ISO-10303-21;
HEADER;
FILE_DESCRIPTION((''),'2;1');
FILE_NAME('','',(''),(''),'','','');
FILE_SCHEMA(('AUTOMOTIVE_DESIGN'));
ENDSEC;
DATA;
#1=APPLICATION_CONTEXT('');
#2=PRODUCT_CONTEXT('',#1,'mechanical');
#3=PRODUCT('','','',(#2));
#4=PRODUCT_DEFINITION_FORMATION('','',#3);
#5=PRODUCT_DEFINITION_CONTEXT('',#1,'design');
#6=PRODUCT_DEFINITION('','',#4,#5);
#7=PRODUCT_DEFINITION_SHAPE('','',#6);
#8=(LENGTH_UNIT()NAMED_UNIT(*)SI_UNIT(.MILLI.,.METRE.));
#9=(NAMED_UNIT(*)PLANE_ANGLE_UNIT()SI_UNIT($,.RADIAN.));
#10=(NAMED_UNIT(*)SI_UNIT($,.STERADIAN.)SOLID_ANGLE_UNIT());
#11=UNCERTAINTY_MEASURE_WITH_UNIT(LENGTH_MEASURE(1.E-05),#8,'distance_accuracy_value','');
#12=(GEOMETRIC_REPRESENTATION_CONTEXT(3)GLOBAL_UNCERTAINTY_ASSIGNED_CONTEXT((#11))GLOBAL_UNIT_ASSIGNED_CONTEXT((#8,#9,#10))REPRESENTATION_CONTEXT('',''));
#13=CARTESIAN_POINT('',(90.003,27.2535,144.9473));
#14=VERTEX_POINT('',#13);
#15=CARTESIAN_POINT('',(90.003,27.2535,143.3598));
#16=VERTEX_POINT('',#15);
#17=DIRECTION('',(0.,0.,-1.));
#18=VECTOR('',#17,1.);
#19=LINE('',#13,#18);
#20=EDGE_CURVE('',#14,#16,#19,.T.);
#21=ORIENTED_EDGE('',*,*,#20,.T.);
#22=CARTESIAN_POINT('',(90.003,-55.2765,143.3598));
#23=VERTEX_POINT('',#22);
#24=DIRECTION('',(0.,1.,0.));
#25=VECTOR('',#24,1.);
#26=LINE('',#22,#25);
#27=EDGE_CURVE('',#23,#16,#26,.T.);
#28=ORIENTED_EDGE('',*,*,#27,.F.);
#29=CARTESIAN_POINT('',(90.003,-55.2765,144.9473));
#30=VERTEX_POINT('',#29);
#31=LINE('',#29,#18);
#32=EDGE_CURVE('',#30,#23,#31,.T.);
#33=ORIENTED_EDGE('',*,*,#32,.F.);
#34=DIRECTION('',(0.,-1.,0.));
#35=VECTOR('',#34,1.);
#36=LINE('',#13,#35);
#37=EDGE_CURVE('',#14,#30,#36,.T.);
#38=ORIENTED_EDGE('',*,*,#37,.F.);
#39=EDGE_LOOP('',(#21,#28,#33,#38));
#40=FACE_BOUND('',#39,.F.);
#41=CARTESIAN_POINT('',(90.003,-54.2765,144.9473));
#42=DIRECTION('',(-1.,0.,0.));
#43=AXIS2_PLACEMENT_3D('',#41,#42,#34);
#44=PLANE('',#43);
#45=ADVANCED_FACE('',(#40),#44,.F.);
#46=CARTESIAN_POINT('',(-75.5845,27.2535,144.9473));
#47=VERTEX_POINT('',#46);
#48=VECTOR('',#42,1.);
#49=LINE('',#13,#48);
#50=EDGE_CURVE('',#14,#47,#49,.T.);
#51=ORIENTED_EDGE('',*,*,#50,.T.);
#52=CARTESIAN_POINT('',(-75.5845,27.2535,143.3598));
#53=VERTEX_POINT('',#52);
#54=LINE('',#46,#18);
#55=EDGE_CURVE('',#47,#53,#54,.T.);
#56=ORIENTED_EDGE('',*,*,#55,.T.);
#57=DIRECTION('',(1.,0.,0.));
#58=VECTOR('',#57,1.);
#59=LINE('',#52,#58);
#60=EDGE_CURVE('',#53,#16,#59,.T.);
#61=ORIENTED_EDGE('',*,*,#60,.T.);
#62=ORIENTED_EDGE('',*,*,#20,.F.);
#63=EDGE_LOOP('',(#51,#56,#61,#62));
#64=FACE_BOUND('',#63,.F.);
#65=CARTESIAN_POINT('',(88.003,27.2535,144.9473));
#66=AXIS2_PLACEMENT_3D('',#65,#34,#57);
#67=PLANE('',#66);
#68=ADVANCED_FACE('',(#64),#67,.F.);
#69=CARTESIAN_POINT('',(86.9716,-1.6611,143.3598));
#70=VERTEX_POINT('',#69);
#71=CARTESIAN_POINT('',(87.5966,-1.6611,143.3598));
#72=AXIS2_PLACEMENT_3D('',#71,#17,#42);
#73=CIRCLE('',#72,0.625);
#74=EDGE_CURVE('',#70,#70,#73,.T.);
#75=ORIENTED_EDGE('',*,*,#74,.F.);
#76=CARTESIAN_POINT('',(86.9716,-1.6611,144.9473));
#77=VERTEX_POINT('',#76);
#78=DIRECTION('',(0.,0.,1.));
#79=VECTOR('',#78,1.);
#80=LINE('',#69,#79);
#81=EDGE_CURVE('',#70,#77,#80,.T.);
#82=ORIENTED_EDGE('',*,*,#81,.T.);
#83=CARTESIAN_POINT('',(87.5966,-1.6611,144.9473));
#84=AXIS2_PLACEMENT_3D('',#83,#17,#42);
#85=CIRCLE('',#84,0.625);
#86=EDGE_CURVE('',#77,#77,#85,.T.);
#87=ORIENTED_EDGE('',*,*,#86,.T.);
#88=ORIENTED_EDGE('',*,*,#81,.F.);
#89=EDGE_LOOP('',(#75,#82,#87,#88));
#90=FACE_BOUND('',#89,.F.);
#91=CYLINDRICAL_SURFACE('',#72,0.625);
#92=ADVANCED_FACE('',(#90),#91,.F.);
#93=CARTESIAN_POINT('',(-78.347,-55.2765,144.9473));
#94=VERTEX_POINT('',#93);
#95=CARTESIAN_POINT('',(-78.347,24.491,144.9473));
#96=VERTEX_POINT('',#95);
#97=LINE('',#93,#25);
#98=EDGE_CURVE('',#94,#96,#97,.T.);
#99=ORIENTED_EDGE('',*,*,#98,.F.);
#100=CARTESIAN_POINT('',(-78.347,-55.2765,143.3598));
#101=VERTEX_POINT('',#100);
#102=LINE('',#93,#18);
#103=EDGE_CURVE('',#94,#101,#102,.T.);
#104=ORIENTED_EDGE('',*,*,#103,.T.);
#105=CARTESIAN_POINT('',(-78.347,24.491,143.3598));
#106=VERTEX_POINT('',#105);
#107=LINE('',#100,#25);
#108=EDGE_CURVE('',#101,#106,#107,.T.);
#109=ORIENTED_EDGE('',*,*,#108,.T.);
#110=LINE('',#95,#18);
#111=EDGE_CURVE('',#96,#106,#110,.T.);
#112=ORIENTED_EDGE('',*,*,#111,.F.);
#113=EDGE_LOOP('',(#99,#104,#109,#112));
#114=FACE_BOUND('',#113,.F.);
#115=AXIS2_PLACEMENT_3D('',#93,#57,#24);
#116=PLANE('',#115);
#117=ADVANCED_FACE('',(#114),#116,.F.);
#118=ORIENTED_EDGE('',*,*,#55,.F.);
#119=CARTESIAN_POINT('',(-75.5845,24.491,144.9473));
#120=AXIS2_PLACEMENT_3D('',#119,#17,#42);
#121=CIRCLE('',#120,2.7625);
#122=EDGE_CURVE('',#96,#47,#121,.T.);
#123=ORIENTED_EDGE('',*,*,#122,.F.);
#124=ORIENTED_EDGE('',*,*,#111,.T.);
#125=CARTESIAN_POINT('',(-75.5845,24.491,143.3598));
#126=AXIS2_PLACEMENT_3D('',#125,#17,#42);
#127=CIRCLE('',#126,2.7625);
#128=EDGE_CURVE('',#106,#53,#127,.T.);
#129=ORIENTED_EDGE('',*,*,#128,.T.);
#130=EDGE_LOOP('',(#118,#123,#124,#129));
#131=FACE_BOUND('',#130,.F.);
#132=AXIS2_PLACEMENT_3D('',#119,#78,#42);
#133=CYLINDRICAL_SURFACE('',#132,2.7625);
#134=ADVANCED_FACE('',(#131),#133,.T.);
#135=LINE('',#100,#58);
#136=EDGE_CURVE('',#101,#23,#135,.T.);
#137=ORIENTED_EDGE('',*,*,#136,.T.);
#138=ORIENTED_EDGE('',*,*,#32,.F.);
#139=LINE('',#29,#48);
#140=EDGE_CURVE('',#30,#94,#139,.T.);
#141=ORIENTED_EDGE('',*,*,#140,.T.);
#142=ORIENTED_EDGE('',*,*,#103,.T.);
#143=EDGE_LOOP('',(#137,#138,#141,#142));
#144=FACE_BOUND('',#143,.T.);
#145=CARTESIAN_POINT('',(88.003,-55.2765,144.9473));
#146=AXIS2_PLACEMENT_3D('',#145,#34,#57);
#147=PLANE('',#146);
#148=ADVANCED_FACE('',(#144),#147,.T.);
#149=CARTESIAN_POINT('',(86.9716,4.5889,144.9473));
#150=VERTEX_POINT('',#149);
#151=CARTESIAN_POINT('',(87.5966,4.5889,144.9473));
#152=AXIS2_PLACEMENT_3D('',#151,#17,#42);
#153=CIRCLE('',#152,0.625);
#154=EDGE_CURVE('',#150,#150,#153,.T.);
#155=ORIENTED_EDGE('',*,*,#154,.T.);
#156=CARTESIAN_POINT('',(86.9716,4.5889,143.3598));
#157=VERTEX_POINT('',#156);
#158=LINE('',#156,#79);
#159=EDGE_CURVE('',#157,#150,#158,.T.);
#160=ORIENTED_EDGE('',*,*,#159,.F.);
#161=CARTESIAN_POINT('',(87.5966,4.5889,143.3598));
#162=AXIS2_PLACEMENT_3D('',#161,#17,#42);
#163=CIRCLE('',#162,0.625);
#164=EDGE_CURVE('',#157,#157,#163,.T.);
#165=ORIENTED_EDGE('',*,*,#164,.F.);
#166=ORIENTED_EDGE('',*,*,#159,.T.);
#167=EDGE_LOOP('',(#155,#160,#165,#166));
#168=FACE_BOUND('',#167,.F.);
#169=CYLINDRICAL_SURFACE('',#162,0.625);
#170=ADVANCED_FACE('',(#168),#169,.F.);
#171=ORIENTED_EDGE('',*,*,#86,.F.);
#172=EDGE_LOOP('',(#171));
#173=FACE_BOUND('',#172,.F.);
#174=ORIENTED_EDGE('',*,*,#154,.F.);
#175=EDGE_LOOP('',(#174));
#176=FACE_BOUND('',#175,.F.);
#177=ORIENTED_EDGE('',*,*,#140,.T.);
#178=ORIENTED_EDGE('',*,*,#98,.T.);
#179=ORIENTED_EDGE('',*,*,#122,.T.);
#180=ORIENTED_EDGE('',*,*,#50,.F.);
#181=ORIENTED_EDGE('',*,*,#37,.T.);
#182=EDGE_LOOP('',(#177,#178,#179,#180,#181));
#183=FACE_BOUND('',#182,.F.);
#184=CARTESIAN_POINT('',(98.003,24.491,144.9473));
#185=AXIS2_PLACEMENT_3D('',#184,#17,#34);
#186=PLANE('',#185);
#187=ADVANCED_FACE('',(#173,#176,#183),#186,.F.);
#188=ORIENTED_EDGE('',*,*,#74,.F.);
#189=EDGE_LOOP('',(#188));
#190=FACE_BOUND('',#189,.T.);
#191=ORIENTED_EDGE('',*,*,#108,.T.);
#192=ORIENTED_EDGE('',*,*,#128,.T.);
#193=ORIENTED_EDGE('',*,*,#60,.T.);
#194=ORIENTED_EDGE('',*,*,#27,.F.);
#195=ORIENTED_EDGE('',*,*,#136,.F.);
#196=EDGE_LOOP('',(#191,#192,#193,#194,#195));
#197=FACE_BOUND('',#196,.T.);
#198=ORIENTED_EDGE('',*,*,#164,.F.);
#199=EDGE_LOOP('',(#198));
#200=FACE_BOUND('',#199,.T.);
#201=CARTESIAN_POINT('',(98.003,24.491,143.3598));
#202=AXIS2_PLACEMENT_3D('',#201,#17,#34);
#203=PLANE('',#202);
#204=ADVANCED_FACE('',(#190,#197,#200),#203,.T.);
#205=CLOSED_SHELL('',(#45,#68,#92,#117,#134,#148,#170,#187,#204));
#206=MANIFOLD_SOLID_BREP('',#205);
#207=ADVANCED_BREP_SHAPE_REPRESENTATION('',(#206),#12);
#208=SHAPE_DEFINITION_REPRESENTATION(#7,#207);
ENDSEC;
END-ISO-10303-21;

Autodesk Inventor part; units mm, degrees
ref_plane "YZ Plane" through (0, 0, 0) normal (1, 0, 0) x (0, 1, 0)
ref_plane "XZ Plane" through (0, 0, 0) normal (0, 1, 0) x (-1, 0, 0)
ref_plane "XY Plane" through (0, 0, 0) normal (0, 0, 1) x (1, 0, 0)
ref_plane "Work Plane1" through (98.003, 24.491, 144.9473) normal (0, -0.0001, -1) x (0, -1, 0.0001)
sketch "Sketch1" plane through (98.003, 24.491, 144.9473) normal (0, -0.0001, -1) x (0, -1, 0.0001)
  line L0 (3.4596, -1.4381) -> (98.1832, -4.2342) projected
  arc A0 (-4.7625, 4.7625) -> (3.4596, -1.4381) centre (0, 4.7625) ccw projected
  line L1 (3.4596, 0) -> (98.1832, 0) projected
  line L2 (94.7649, -4.2342) -> (94.7649, 8) projected
  line L3 (94.7649, 8) -> (81.7675, 8) projected
  line L4 (81.7675, 8) -> (81.7675, 170.35)
  line L5 (81.7675, 170.35) -> (94.7649, 170.35) projected
  line L6 (94.7649, 170.35) -> (94.7649, 178.35) projected
  arc A1 (0, 178.35) -> (-4.7625, 173.5875) centre (0, 173.5875) ccw
  line L7 (78.7675, 8) -> (0.2375, 8)
  line L8 (0.2375, 8) -> (-4.7625, 8)
  line L9 (78.7675, 8) -> (81.7675, 8)
  line L10 (81.7675, 170.35) -> (81.7675, 178.35)
  line L11 (0, 178.35) -> (81.7675, 178.35)
  line L12 (-4.7625, 8) -> (-4.7625, 173.5875)
  line L13 (-2.7625, 173.5875) -> (-2.7625, 10)
  line L14 (79.7675, 10) -> (79.7675, 170.35)
  line L15 (79.7675, 170.35) -> (79.7675, 176.35)
  line L16 (79.7675, 176.35) -> (0, 176.35)
  arc A2 (0, 176.35) -> (-2.7625, 173.5875) centre (0, 173.5875) ccw
  line L17 (-2.7625, 10) -> (-2.7625, 8)
  line L18 (79.7675, 10) -> (79.7675, 8)
  point P0 (24.483, 98.003)
  dimension "d2" = 2
extrude "Extrusion1" add sketch "Sketch1" along normal blind 1.5875 contours L9 L7 L8 L17 L13 A2 L16 L15 L14 L18
sketch "Sketch2" plane through (98.003, 24.4909, 143.3598) normal (0, -0.0001, -1) x (-1, 0, 0)
  circle A0 centre (10.4064, -19.902) radius 0.625
  circle A1 centre (10.4064, -26.152) radius 0.625
  point P0 (98.003, -24.483)
extrude "Extrusion2" cut sketch "Sketch2" against normal blind 1.5875
properties part number "acrylicDoor"
